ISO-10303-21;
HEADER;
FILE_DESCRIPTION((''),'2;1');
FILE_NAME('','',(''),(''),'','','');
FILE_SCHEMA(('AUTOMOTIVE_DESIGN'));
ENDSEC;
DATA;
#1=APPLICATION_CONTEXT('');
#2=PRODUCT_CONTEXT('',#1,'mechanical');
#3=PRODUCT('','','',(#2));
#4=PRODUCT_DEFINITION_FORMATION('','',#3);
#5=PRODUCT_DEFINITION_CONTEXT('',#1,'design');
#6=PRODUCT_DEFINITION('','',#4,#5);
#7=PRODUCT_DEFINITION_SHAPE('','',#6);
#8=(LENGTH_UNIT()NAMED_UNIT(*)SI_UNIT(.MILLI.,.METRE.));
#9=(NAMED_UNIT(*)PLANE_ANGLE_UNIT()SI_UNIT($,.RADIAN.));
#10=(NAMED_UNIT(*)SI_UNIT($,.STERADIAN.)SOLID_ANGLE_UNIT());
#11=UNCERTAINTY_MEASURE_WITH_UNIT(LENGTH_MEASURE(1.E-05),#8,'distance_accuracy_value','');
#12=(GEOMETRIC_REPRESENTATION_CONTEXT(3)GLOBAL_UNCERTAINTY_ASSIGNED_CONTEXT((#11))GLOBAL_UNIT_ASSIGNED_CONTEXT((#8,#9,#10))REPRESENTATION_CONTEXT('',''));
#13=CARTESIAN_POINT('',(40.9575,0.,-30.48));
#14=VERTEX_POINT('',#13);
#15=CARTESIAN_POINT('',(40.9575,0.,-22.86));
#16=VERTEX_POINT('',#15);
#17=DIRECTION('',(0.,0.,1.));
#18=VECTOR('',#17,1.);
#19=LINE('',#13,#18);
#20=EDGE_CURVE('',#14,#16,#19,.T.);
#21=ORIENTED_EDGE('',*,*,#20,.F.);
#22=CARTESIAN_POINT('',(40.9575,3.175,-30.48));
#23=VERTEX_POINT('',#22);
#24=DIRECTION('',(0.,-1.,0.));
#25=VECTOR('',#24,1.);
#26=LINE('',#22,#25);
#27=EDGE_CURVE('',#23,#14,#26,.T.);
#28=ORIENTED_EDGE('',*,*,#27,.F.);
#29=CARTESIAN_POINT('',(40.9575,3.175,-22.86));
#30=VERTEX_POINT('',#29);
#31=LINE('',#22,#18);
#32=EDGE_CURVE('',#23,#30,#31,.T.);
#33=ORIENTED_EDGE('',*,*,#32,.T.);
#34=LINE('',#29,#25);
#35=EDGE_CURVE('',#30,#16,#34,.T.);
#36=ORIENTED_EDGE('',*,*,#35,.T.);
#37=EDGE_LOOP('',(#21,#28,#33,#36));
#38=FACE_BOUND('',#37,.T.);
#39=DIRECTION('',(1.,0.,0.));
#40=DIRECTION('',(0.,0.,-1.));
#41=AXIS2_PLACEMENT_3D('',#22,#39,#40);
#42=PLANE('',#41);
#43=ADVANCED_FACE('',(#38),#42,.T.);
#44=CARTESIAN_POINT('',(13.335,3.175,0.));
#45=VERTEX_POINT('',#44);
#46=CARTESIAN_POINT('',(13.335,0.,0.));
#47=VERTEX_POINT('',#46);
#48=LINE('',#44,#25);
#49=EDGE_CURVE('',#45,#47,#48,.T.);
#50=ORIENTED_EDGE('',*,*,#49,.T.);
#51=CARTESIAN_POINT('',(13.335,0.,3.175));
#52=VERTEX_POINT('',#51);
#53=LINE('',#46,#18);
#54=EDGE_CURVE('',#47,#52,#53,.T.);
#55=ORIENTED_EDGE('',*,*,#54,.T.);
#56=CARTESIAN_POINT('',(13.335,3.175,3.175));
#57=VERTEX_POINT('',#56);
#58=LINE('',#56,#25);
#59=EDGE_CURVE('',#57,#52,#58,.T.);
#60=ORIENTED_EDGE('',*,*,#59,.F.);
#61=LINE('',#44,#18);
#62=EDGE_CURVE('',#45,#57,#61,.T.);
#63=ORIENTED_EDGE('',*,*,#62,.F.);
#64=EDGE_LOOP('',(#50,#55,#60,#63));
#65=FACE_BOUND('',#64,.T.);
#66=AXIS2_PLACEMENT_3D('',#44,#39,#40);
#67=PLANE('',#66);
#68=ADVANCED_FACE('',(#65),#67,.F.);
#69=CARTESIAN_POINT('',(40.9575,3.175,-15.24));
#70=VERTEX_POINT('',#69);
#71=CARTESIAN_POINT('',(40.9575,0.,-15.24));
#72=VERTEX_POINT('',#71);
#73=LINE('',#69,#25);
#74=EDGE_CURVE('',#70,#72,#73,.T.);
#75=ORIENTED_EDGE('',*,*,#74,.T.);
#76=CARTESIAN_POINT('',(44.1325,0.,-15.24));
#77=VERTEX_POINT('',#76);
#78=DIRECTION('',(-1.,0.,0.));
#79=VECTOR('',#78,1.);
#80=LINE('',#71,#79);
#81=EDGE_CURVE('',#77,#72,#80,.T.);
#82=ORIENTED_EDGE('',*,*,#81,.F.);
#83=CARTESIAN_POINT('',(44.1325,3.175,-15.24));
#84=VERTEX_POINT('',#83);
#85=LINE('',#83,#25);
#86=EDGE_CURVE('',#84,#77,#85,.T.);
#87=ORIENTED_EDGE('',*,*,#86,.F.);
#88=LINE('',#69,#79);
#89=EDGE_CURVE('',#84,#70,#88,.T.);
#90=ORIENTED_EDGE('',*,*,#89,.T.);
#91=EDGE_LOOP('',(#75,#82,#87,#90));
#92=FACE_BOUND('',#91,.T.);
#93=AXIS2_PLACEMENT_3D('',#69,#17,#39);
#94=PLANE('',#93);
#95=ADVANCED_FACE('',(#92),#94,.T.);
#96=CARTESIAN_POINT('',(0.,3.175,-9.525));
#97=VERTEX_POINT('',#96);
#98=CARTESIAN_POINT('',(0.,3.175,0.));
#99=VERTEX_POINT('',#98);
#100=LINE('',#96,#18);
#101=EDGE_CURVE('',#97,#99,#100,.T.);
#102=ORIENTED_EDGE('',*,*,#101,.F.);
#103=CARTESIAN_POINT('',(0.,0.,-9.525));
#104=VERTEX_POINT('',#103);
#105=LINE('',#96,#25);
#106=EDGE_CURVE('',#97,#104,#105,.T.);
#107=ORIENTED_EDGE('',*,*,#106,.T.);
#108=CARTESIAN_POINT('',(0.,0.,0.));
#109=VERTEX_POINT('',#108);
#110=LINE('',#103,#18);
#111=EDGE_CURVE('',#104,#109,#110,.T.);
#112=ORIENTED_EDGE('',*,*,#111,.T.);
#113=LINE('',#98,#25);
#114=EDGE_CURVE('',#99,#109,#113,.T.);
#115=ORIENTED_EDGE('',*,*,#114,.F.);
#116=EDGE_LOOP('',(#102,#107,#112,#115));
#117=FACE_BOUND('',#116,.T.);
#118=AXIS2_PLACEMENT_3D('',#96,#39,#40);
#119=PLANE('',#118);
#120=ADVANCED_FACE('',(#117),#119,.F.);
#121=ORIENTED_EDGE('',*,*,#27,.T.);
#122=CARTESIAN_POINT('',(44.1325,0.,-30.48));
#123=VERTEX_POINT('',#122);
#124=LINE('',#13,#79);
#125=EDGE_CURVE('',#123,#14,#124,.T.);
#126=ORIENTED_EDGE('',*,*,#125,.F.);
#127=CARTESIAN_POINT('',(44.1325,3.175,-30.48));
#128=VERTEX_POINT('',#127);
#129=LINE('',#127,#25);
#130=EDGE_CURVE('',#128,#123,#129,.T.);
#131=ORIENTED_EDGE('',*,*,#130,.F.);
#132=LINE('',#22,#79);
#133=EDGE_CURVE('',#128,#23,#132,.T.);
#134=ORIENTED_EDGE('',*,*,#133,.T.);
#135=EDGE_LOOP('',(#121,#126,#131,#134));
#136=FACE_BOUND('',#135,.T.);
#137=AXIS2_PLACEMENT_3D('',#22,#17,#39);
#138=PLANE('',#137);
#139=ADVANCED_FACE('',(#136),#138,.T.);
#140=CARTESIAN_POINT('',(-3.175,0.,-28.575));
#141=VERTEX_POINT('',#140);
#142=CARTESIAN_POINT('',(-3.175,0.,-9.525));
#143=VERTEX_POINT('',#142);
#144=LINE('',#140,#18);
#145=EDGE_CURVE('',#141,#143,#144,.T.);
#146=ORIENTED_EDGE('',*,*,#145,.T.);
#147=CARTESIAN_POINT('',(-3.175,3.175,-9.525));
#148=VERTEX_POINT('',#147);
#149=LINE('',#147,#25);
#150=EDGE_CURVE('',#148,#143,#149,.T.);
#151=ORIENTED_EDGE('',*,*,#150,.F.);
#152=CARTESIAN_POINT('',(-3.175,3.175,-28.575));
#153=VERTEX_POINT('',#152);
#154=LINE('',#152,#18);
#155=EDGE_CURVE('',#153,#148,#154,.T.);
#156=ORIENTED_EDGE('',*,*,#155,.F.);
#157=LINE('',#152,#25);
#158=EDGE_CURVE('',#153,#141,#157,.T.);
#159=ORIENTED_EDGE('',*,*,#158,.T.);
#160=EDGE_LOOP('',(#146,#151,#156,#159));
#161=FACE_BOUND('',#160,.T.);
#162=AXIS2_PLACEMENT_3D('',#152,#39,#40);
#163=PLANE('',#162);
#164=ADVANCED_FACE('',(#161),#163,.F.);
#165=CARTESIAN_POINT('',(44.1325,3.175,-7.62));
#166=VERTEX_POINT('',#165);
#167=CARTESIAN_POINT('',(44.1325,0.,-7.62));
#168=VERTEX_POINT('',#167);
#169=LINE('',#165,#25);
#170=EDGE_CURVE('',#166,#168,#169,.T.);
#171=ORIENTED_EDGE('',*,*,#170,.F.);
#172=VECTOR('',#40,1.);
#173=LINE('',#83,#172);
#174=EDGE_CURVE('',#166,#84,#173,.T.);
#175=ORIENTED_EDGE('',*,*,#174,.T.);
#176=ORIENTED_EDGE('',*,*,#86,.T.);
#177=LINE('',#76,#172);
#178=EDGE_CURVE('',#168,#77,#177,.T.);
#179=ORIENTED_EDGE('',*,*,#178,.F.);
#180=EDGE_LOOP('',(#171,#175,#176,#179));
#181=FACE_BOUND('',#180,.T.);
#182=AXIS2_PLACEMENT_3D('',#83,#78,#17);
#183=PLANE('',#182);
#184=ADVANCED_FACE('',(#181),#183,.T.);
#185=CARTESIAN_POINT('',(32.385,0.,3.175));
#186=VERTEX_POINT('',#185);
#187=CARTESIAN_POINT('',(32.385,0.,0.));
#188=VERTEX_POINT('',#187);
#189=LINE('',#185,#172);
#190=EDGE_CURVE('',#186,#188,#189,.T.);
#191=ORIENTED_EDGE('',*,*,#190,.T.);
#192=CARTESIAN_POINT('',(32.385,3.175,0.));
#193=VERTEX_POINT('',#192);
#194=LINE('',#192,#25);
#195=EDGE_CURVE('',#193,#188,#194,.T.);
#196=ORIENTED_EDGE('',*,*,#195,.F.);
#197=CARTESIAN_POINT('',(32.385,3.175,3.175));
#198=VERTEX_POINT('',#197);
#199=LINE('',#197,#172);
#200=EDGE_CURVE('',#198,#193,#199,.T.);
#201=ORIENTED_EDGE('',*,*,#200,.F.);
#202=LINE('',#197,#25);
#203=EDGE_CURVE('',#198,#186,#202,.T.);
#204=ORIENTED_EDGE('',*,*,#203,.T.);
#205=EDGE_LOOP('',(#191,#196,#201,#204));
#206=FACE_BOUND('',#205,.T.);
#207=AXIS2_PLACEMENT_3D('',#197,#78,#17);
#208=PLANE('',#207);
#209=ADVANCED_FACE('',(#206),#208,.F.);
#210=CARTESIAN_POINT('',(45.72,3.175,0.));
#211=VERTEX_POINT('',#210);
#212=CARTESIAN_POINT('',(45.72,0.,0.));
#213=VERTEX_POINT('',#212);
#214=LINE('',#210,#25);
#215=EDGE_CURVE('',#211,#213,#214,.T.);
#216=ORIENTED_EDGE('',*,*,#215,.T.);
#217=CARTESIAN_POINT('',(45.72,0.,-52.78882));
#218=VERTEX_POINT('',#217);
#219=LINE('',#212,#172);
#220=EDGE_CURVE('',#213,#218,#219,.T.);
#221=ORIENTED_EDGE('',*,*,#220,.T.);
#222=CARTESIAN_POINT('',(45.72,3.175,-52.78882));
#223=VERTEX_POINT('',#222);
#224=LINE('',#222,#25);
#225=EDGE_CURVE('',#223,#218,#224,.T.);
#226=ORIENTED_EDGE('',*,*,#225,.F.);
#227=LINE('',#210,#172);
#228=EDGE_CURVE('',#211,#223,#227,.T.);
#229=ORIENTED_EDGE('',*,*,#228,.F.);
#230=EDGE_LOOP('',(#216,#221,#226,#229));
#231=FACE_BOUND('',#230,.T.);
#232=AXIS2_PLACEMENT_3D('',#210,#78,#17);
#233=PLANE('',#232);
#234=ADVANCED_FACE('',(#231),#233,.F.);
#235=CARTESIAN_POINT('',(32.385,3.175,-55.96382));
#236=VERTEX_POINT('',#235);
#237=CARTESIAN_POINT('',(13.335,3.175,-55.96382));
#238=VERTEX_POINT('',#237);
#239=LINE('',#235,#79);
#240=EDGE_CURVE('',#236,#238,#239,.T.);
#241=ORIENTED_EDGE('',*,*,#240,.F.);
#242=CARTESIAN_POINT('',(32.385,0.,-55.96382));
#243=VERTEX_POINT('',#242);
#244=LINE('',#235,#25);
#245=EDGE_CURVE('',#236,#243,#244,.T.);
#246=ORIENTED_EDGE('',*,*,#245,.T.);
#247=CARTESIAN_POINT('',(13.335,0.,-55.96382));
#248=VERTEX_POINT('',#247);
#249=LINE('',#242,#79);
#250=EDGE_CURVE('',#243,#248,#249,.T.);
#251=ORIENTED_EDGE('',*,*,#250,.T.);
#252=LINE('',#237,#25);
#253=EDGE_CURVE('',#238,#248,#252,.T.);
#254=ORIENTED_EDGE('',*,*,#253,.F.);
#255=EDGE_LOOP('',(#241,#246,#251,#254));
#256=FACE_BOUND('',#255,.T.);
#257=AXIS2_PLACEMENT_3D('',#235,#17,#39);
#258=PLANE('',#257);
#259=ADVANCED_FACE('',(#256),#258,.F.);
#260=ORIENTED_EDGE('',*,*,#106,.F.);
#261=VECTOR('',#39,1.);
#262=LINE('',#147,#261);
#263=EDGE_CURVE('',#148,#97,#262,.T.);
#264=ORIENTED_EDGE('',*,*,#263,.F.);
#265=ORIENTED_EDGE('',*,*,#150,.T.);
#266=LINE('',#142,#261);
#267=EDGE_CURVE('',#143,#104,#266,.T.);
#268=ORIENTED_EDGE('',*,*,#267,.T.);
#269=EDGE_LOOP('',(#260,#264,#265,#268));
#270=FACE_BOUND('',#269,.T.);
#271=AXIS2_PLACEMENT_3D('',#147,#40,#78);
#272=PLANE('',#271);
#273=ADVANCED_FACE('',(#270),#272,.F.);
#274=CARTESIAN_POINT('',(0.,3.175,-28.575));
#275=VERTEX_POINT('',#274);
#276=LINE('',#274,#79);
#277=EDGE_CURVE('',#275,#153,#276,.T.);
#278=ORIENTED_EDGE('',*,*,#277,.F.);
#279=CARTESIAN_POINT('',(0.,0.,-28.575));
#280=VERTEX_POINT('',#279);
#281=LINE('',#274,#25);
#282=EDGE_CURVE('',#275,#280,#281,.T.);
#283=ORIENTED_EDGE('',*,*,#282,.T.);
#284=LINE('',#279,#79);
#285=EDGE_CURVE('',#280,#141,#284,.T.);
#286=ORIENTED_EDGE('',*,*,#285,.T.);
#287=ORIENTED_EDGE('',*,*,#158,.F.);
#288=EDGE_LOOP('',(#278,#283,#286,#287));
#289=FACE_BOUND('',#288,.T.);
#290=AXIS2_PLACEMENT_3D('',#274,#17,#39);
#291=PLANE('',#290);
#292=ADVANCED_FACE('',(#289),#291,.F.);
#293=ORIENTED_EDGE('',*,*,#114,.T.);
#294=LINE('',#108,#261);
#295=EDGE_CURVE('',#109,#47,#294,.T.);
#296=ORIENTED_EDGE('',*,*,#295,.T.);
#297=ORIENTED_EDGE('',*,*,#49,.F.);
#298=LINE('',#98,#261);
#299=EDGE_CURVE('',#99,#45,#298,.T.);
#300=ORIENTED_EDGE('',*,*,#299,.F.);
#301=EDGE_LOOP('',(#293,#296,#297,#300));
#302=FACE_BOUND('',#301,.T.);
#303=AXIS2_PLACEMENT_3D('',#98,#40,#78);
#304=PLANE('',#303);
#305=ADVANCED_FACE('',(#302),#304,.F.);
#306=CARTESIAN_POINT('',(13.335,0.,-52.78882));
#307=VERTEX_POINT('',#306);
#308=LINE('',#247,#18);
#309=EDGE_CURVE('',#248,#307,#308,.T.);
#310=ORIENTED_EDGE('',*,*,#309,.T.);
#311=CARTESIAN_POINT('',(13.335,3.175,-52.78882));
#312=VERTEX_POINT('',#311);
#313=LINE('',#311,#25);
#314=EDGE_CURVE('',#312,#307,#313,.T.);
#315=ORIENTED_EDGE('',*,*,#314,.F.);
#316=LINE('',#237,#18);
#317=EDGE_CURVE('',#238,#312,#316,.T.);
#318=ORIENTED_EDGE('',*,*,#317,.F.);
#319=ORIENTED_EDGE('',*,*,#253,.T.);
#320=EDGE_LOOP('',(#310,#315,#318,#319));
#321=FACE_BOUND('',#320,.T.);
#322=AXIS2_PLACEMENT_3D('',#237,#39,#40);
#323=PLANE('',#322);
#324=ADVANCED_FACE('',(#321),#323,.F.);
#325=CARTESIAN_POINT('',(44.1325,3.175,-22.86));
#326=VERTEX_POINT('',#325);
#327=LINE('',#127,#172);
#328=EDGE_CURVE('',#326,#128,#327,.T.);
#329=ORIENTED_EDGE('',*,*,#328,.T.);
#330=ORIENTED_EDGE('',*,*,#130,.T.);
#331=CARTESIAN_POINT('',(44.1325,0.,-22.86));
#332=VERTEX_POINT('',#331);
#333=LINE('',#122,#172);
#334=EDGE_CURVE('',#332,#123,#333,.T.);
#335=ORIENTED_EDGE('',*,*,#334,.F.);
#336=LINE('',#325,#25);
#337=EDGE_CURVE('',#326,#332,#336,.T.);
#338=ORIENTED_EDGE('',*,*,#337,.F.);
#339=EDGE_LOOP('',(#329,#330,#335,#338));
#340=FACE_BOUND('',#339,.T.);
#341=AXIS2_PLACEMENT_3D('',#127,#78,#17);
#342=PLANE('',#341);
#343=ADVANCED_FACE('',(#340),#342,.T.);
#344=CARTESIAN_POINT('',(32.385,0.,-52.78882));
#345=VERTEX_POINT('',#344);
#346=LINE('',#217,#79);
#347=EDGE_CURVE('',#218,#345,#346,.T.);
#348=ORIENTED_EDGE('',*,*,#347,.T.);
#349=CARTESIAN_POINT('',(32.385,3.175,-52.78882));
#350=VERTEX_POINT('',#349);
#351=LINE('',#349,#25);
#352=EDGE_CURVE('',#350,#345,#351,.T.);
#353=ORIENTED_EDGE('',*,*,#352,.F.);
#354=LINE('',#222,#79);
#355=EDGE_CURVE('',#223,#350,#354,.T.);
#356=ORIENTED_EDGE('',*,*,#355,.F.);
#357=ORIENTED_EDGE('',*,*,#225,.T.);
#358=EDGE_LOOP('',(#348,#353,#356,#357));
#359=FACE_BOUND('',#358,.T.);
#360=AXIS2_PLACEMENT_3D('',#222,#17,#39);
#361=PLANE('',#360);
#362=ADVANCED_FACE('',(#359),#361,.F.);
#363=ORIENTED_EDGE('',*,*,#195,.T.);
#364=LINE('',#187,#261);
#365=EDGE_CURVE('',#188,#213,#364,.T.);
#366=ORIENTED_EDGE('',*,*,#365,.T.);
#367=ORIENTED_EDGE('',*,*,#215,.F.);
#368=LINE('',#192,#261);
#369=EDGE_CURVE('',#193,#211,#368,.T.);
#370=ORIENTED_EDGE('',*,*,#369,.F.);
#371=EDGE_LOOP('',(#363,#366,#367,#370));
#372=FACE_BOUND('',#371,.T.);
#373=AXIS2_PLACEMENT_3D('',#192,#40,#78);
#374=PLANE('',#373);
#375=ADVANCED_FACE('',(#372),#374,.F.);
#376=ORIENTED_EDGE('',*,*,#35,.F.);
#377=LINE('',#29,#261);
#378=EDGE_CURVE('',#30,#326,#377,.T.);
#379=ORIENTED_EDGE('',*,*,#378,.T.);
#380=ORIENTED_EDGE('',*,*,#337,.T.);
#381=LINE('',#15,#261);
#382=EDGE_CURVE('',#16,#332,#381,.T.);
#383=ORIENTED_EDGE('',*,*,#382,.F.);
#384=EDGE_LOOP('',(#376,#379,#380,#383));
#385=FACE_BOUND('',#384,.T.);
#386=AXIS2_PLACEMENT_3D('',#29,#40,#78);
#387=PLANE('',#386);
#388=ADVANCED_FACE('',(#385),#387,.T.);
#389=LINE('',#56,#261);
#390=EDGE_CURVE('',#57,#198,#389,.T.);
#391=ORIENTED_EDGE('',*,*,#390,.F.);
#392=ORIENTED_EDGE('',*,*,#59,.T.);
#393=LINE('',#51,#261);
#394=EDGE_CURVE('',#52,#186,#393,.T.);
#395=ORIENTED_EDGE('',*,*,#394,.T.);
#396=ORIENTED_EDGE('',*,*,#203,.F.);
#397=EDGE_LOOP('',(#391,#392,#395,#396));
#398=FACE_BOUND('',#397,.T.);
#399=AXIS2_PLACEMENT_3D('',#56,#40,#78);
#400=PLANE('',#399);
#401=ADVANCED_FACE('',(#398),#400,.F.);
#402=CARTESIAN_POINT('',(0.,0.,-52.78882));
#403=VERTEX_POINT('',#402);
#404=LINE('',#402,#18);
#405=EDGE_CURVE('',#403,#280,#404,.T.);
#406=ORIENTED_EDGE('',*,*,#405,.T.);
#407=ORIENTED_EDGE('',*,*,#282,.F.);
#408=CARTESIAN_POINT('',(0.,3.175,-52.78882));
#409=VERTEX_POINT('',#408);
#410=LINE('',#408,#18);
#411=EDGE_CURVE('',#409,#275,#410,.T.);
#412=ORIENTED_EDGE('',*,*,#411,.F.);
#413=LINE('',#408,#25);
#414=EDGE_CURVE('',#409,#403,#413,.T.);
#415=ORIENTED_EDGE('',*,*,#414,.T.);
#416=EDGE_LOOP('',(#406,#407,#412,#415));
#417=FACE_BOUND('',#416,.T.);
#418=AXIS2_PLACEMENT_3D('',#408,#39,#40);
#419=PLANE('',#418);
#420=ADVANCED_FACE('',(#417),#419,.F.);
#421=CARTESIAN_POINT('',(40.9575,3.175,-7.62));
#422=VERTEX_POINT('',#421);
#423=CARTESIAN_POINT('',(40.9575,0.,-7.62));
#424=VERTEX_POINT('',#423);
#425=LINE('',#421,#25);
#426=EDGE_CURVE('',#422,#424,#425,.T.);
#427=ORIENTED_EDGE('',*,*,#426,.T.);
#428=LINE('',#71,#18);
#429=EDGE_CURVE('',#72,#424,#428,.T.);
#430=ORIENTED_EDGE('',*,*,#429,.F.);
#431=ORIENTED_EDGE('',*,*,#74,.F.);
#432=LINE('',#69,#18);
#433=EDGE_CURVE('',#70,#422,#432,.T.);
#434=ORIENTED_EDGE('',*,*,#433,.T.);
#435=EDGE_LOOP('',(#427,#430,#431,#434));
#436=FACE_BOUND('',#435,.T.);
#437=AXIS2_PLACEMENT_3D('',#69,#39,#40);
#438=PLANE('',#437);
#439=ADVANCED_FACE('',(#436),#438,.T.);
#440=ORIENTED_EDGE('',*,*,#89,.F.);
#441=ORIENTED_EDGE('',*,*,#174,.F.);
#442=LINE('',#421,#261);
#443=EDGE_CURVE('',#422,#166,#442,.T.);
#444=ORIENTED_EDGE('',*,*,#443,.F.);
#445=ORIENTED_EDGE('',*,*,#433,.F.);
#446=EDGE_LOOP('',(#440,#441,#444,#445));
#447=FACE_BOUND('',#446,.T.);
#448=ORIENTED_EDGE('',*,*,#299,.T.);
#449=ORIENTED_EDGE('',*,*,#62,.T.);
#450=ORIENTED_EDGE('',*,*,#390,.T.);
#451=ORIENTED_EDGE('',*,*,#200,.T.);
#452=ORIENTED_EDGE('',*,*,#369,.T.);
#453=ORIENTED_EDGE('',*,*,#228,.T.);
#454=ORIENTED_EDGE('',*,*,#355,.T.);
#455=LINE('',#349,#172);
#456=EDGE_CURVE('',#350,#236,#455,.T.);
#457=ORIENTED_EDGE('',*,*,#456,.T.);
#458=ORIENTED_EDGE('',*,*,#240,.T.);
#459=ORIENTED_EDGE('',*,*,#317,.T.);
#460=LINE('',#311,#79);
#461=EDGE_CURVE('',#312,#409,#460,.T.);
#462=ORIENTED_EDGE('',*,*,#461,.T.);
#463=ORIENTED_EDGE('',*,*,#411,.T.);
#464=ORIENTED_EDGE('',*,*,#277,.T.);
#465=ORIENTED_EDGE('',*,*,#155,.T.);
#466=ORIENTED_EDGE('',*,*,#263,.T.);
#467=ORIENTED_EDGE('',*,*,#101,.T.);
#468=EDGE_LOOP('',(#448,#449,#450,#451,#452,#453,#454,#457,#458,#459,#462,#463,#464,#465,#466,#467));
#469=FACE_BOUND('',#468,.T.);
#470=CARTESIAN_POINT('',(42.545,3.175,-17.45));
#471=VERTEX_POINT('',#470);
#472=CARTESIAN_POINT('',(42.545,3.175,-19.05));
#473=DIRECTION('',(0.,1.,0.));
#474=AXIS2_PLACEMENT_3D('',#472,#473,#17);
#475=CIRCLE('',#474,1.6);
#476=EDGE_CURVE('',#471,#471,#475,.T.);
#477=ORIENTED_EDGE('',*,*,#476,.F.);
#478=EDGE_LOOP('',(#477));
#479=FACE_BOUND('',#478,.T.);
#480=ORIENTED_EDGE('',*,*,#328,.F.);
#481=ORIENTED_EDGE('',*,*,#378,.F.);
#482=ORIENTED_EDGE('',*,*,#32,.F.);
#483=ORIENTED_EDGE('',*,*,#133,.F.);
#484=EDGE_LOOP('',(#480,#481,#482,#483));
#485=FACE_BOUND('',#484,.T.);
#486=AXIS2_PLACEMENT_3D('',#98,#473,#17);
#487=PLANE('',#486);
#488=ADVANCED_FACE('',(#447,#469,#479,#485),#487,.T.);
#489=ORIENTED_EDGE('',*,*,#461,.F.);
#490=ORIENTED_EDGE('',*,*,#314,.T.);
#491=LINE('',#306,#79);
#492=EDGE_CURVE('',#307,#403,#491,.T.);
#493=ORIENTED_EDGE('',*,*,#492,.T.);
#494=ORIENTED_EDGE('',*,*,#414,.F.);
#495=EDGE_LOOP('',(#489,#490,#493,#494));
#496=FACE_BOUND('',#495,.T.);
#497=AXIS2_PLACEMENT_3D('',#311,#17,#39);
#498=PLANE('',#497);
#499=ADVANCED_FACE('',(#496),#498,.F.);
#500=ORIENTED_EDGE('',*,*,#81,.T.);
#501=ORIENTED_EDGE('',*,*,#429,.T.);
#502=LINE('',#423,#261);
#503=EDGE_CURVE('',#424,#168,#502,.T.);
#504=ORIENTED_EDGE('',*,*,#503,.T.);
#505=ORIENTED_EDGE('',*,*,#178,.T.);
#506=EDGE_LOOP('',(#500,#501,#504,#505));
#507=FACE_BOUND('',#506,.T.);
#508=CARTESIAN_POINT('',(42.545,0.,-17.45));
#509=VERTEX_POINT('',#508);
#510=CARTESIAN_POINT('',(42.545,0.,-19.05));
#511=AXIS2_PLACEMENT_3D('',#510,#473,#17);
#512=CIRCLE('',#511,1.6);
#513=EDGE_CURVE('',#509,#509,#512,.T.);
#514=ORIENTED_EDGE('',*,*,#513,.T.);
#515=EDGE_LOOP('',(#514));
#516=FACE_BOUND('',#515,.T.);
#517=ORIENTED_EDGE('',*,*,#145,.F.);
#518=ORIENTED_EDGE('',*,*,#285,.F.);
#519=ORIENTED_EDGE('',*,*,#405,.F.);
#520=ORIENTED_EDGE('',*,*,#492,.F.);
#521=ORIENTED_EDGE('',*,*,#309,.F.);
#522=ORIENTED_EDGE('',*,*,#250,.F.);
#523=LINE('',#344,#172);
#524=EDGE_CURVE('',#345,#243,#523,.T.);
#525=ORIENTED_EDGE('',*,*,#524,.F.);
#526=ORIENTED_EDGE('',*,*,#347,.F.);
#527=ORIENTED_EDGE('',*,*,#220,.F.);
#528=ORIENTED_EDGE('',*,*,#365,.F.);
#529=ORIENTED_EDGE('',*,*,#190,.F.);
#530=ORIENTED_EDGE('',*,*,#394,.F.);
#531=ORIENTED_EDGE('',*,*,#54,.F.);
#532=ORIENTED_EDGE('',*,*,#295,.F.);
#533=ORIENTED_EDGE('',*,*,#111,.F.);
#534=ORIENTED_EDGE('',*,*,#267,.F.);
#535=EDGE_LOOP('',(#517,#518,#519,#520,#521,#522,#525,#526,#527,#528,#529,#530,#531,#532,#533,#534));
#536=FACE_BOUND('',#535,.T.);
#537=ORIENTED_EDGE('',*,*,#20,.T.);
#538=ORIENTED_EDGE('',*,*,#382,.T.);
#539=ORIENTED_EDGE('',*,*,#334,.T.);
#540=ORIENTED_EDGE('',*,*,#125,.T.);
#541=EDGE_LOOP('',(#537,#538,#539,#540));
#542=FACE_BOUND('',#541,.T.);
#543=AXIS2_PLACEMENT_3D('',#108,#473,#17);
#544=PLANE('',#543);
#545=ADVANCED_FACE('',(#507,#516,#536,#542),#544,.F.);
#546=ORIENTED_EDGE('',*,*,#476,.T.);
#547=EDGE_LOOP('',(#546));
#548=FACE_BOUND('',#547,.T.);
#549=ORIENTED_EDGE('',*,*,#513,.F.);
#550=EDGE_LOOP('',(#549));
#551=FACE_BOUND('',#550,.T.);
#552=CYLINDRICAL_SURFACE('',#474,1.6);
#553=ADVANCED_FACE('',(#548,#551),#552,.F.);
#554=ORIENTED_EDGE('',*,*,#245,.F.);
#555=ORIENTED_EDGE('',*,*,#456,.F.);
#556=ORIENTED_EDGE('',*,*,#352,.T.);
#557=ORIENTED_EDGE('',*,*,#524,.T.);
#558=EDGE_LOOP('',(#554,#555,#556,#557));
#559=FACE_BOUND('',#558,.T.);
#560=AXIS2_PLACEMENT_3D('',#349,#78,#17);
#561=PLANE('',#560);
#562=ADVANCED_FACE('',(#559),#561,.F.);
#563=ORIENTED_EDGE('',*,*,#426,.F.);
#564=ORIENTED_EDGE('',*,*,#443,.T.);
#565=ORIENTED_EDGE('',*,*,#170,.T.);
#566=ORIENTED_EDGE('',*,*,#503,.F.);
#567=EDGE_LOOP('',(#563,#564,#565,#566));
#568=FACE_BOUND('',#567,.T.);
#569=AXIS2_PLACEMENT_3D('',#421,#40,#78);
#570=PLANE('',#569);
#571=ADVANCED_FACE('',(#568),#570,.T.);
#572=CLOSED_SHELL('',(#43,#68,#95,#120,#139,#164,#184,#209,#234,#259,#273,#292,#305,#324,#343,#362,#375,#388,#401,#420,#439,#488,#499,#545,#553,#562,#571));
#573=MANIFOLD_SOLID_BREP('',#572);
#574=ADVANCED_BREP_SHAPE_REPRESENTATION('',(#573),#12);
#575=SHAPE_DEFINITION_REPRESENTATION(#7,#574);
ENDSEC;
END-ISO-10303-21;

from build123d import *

# Parameters (mm, degrees)
SKETCH1_W            = 3.175
SKETCH1_H            = 7.62
BOSS_EXTRUDE1_DEPTH  = 3.175
M3_CLEARANCE_HOLE1_D = 3.2


with BuildPart() as part:
    # Sketch1 → Boss-Extrude1 (new body)
    with BuildSketch(Plane(origin=(0, 0, 0), x_dir=(1, 0, 0), z_dir=(0, 1, 0))):
        Polygon((0, 0), (13.335, 0), (13.335, -3.175), (32.385, -3.175), (32.385, 0), (45.72, 0), (45.72, 52.78882), (32.385, 52.78882), (32.385, 55.96382), (13.335, 55.96382), (13.335, 52.78882), (0, 52.78882), (0, 28.575), (-3.175, 28.575), (-3.175, 9.525), (0, 9.525), align=None)
        with Locations((42.545, 26.67)):
            Rectangle(SKETCH1_W, SKETCH1_H, mode=Mode.SUBTRACT)
        with Locations((42.545, 11.43)):
            Rectangle(SKETCH1_W, SKETCH1_H, mode=Mode.SUBTRACT)
    extrude(amount=BOSS_EXTRUDE1_DEPTH)

    # M3 Clearance Hole1 (through all)
    with Locations(Plane(origin=(0, 3.175, 0), x_dir=(1, 0, 0), z_dir=(0, 1, 0))):
        with Locations((42.545, 19.05)):
            Hole(M3_CLEARANCE_HOLE1_D / 2)


solid = part.part
